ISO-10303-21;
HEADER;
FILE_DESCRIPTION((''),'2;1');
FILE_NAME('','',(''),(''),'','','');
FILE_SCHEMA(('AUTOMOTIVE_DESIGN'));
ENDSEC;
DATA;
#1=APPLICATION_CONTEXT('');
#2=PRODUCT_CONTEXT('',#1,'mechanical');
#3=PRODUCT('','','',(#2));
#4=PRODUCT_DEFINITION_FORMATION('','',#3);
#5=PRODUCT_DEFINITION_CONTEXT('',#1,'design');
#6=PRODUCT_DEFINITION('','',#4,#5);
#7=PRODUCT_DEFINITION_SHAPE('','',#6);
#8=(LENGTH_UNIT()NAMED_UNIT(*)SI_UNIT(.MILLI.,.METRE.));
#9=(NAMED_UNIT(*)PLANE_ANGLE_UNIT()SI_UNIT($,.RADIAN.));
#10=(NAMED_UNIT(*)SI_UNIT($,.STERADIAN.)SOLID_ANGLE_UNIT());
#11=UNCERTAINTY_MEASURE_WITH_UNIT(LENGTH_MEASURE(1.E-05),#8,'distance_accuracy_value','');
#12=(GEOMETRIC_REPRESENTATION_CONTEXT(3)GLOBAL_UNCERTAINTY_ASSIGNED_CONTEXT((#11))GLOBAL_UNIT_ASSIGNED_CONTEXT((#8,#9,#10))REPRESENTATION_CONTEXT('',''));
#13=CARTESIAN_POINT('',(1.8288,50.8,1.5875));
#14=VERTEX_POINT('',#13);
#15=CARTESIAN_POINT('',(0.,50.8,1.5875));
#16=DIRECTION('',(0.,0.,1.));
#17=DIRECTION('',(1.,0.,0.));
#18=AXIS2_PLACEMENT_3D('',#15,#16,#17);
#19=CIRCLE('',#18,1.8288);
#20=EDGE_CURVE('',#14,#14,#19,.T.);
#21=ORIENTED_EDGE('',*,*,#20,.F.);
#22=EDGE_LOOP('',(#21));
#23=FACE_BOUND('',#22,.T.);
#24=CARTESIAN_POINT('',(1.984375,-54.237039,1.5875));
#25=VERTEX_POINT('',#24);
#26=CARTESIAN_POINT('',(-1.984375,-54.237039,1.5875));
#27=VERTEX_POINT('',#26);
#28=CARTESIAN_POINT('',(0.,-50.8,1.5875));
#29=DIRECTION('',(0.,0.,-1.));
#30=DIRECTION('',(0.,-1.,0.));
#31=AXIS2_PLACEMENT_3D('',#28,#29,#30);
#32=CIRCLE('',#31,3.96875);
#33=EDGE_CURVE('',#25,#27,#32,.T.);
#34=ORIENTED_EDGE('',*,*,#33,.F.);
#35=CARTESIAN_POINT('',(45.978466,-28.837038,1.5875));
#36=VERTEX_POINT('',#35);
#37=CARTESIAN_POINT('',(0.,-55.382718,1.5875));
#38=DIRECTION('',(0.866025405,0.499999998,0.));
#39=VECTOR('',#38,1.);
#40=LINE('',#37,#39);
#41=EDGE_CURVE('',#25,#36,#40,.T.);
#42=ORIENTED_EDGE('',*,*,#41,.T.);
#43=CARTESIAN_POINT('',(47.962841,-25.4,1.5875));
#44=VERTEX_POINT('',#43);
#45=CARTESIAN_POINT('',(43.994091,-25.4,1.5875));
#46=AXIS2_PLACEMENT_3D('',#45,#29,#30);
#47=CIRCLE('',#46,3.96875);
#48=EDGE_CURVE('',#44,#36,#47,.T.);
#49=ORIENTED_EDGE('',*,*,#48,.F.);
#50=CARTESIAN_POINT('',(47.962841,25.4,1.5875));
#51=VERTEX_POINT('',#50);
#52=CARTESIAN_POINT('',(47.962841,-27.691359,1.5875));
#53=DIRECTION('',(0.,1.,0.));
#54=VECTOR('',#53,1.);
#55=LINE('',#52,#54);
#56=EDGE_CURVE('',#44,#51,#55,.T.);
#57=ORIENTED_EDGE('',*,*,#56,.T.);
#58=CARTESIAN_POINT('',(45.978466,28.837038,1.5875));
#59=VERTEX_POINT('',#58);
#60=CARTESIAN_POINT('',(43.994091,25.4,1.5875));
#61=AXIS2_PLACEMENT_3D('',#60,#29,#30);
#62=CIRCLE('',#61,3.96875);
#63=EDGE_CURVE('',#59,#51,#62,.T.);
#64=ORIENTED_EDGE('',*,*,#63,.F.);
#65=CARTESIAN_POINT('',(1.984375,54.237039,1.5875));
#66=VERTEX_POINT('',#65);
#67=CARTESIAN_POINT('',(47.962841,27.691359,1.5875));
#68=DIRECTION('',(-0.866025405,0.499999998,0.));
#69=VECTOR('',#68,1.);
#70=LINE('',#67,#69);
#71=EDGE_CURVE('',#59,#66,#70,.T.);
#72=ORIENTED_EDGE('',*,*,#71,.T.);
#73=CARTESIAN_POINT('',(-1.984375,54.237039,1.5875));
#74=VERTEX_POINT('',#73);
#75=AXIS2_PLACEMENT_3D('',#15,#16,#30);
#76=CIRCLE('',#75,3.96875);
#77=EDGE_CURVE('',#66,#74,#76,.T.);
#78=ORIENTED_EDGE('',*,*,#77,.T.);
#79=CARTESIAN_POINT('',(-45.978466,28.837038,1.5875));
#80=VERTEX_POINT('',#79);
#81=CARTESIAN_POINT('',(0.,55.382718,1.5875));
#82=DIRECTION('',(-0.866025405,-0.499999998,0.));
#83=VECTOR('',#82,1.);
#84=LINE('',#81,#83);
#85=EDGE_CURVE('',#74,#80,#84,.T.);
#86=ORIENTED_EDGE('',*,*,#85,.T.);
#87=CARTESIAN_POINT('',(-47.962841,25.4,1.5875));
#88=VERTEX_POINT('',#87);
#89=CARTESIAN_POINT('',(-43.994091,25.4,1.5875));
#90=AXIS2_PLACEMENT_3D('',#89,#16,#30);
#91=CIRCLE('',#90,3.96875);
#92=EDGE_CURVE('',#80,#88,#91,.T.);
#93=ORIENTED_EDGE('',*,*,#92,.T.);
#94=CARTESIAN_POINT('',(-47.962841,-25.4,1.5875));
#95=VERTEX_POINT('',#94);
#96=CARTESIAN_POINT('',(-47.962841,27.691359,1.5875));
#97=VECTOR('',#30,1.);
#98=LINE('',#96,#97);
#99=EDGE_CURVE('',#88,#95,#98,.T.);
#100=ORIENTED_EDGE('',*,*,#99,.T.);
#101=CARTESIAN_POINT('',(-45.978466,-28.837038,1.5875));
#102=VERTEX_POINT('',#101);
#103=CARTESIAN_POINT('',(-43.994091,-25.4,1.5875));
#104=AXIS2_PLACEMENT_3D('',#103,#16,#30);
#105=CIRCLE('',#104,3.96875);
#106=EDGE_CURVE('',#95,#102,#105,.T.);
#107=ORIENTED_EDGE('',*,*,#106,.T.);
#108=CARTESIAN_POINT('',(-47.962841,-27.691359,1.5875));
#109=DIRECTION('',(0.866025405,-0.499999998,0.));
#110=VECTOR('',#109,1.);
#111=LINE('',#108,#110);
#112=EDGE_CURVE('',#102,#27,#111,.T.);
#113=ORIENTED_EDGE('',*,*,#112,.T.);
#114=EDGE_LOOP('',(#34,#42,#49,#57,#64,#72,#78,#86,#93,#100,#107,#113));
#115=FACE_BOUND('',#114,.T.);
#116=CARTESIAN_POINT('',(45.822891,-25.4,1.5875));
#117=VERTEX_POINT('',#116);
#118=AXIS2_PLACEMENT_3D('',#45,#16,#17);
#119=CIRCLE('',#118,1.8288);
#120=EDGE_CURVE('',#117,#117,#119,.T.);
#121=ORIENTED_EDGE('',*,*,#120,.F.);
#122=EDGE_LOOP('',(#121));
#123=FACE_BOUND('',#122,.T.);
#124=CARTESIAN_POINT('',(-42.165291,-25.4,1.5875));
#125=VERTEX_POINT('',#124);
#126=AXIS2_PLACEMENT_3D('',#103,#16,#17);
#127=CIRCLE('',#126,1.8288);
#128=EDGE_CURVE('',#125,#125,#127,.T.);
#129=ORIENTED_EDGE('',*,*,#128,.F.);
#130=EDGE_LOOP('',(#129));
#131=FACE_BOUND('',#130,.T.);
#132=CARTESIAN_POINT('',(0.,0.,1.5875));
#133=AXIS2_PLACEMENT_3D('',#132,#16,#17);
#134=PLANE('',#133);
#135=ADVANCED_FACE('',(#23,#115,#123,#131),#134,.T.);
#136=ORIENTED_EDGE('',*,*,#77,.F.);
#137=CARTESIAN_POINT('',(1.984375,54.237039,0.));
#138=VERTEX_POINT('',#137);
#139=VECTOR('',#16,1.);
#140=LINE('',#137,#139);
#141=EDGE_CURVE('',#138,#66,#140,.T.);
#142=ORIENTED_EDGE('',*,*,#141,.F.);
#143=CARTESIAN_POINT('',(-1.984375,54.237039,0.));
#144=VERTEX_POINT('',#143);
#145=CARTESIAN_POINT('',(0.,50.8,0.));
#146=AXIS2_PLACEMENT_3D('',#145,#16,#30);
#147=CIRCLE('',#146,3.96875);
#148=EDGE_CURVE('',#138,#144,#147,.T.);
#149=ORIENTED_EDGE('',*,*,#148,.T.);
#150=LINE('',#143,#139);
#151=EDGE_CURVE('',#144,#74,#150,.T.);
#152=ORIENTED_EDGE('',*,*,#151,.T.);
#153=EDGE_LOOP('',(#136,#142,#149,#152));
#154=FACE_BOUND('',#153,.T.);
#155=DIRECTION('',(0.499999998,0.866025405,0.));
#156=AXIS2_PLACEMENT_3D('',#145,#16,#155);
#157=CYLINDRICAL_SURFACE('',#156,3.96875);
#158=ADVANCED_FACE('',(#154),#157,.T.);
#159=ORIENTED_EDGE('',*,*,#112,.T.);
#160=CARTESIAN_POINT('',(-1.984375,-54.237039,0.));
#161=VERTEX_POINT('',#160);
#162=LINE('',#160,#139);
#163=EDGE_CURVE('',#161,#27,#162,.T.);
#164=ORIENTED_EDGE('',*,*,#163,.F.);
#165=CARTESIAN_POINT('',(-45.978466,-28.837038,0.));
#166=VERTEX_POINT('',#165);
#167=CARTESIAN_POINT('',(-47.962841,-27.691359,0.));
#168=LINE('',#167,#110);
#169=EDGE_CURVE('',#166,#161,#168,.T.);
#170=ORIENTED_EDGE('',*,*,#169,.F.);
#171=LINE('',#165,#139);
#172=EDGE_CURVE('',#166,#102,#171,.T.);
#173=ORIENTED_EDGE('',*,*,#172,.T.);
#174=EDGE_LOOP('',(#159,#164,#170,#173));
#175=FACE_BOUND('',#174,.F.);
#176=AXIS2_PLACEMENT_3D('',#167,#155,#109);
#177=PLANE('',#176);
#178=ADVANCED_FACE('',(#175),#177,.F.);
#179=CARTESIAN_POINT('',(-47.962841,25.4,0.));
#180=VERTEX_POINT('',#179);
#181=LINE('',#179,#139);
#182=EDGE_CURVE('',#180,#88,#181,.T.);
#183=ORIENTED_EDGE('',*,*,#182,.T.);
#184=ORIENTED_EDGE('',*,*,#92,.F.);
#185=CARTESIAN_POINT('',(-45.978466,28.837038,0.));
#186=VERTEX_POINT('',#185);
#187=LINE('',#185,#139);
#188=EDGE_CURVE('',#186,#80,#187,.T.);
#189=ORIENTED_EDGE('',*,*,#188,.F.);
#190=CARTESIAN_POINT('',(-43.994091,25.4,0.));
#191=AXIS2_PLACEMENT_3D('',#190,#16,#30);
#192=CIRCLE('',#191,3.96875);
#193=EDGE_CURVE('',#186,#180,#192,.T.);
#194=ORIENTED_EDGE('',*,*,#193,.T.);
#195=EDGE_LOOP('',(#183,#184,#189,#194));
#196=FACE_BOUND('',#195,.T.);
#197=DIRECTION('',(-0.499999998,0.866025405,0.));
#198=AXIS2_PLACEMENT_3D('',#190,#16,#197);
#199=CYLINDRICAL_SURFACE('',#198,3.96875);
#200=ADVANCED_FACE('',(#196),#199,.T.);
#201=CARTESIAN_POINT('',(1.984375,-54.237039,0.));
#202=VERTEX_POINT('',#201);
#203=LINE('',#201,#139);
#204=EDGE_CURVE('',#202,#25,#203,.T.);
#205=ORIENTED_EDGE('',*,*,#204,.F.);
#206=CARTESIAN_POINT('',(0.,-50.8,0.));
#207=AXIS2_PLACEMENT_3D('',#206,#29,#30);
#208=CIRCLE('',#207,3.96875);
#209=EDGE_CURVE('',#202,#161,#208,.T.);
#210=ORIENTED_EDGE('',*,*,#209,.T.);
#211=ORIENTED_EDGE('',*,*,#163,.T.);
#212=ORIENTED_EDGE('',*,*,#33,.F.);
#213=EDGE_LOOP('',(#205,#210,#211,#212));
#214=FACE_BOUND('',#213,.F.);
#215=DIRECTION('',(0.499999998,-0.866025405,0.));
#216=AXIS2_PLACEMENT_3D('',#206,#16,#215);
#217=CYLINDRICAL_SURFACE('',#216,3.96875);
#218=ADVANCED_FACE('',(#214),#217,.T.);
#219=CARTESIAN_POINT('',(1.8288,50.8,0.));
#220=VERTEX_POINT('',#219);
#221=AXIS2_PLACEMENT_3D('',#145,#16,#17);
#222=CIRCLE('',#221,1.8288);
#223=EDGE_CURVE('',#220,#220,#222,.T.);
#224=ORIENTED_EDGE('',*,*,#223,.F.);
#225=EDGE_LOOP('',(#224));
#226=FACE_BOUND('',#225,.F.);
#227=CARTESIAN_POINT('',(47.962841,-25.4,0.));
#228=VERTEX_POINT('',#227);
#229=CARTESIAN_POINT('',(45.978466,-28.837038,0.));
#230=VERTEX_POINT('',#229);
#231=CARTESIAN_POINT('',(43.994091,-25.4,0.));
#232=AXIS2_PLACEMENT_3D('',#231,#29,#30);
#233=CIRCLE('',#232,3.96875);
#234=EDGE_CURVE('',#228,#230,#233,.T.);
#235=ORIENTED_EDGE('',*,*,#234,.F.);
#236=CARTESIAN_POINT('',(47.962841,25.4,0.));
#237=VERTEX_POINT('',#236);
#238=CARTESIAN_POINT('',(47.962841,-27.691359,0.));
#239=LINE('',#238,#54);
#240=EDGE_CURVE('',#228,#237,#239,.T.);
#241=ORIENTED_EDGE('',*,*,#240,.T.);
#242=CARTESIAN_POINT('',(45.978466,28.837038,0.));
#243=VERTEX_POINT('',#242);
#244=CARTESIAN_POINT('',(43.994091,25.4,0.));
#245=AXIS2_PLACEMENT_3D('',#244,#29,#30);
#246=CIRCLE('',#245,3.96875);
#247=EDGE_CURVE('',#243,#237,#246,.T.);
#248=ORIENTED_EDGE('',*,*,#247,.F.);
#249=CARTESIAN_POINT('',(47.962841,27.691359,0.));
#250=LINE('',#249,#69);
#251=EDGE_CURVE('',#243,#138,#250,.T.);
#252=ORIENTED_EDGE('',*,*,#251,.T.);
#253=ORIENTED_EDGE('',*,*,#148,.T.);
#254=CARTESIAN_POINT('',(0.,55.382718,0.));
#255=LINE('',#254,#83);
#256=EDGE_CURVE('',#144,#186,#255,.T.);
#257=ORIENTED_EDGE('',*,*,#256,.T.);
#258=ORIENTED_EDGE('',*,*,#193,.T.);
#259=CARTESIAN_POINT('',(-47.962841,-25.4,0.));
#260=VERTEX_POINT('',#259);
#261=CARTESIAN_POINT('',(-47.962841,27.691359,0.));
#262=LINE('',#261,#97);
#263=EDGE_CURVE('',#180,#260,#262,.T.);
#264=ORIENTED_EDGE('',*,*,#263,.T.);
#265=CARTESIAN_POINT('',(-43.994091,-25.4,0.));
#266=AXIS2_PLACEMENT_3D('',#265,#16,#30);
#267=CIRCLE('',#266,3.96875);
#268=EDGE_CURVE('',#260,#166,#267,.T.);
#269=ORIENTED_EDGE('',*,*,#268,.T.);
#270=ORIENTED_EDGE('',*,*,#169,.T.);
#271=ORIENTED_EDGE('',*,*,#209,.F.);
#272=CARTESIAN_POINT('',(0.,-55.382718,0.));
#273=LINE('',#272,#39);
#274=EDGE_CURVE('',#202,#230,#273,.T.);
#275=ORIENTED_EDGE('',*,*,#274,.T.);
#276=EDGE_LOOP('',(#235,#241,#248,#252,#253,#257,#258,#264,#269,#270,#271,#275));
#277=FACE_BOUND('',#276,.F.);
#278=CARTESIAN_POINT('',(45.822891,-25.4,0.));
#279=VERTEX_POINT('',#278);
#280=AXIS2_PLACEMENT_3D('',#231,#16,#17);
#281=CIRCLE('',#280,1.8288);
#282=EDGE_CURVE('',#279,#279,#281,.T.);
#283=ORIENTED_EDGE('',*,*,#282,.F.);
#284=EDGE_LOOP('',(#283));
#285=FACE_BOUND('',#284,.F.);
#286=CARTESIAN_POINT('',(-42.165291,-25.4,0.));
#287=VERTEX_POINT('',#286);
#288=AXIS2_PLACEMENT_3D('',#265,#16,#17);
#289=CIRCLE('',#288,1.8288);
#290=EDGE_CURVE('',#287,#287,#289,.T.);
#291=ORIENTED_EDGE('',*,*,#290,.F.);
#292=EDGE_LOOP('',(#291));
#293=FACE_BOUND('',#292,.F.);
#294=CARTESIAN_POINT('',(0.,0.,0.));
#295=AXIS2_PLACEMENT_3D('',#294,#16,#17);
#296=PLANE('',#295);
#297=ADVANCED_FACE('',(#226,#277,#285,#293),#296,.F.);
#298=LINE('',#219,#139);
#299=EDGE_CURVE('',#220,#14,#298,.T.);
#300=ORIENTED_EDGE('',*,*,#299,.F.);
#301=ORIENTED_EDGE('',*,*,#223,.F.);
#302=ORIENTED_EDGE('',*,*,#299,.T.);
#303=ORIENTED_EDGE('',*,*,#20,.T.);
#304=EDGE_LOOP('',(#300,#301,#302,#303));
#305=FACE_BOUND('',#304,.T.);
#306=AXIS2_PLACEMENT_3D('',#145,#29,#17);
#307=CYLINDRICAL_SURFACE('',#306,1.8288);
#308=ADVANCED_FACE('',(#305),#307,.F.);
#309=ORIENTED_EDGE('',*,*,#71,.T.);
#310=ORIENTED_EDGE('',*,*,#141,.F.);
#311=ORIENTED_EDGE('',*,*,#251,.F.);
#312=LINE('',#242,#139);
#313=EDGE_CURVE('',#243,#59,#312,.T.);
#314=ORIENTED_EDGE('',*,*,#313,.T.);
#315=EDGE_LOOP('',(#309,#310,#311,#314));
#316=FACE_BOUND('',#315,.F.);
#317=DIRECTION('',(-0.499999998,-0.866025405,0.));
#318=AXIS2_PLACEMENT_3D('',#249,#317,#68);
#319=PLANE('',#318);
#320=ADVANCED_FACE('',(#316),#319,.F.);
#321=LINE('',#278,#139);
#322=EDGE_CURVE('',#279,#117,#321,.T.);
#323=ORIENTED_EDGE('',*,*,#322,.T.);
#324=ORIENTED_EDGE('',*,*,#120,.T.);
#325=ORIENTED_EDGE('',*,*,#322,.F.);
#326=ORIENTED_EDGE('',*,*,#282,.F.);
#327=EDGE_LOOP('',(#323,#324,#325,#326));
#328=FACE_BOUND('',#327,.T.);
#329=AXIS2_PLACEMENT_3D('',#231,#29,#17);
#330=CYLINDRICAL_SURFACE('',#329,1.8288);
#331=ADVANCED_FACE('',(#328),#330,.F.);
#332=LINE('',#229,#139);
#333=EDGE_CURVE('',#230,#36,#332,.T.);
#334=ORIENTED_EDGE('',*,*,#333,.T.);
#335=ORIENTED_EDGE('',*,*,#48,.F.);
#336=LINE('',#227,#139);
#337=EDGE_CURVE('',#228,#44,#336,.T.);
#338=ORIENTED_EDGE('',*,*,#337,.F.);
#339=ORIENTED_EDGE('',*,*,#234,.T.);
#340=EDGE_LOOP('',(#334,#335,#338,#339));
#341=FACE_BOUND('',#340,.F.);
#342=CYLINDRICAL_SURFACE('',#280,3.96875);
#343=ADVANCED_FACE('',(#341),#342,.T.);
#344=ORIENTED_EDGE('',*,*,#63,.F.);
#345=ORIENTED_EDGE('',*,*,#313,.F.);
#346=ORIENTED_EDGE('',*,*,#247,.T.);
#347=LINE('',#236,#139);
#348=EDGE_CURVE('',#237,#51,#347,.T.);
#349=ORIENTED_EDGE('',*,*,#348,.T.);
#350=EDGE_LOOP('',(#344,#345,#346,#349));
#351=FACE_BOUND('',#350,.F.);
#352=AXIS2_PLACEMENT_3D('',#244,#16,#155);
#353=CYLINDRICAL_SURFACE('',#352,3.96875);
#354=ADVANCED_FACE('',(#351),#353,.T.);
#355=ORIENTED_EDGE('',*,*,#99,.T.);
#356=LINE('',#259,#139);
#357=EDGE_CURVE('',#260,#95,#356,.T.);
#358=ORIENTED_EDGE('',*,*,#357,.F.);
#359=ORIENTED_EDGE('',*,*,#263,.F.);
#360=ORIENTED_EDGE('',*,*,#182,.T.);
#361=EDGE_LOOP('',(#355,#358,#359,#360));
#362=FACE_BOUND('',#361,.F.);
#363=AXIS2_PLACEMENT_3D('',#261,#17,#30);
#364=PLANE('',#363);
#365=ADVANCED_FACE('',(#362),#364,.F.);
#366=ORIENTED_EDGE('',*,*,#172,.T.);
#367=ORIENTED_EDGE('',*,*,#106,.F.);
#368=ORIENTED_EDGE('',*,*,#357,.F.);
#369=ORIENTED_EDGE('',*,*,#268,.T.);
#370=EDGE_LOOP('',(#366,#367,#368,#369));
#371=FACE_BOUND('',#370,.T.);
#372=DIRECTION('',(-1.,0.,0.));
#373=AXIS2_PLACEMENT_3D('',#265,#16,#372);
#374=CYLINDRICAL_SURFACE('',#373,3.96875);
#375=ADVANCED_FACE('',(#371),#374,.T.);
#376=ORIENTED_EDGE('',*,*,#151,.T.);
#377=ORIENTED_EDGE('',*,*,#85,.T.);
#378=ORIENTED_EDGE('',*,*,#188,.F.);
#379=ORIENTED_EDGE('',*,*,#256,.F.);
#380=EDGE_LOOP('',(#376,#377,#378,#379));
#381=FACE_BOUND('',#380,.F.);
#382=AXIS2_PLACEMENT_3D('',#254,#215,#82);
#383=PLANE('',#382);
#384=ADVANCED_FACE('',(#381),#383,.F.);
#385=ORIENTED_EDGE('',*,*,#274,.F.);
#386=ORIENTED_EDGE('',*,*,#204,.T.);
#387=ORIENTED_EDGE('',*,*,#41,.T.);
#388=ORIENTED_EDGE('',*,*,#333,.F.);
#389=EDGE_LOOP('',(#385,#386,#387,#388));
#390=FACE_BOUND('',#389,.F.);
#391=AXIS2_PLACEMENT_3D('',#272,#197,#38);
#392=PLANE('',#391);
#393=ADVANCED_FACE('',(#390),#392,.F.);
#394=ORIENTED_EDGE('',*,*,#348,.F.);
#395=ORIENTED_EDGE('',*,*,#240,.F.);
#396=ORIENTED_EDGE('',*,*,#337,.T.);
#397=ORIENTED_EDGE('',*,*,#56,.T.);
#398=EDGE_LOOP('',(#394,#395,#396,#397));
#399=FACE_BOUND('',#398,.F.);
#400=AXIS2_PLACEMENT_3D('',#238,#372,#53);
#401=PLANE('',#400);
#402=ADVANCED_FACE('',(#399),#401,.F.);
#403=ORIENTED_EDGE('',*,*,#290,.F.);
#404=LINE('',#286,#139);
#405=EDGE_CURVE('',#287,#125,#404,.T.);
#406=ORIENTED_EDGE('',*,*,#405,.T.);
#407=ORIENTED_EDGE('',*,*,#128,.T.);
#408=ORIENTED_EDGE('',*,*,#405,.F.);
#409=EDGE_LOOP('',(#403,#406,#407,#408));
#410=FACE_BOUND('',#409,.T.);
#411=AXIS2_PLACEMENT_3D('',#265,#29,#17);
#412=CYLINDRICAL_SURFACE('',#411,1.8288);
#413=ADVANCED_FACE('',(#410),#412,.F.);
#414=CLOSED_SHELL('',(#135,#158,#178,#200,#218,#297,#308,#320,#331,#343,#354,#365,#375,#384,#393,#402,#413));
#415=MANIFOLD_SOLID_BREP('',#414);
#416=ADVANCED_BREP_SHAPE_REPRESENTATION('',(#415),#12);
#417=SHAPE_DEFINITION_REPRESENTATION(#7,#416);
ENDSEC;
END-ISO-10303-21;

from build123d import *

# Parameters (mm, degrees)
F0_R     = 1.8288
F1_DEPTH = 1.5875
F2_R     = 3.96875


with BuildPart() as f1:
    # F0 (on Top) → F1 (new body)
    with BuildSketch(Plane.XY):
        Polygon((47.962841, 27.691359), (0, 55.382718), (-47.962841, 27.691359), (-47.962841, -27.691359), (0, -55.382718), (47.962841, -27.691359), align=None)
        with Locations((-43.994091, -25.4)):
            Circle(F0_R, mode=Mode.SUBTRACT)
        with Locations((43.994091, -25.4)):
            Circle(F0_R, mode=Mode.SUBTRACT)
        with Locations((0, 50.8)):
            Circle(F0_R, mode=Mode.SUBTRACT)
    extrude(amount=F1_DEPTH)

    # F2
    f2_edges = [f1.edges().sort_by_distance(p)[0] for p in [
        (-47.962841, -27.691359, 0.79375),
        (0, -55.382718, 0.79375),
        (47.962841, -27.691359, 0.79375),
        (47.962841, 27.691359, 0.79375),
        (0, 55.382718, 0.79375),
        (-47.962841, 27.691359, 0.79375),
    ]]
    fillet(f2_edges, radius=F2_R)


solid = f1.part
